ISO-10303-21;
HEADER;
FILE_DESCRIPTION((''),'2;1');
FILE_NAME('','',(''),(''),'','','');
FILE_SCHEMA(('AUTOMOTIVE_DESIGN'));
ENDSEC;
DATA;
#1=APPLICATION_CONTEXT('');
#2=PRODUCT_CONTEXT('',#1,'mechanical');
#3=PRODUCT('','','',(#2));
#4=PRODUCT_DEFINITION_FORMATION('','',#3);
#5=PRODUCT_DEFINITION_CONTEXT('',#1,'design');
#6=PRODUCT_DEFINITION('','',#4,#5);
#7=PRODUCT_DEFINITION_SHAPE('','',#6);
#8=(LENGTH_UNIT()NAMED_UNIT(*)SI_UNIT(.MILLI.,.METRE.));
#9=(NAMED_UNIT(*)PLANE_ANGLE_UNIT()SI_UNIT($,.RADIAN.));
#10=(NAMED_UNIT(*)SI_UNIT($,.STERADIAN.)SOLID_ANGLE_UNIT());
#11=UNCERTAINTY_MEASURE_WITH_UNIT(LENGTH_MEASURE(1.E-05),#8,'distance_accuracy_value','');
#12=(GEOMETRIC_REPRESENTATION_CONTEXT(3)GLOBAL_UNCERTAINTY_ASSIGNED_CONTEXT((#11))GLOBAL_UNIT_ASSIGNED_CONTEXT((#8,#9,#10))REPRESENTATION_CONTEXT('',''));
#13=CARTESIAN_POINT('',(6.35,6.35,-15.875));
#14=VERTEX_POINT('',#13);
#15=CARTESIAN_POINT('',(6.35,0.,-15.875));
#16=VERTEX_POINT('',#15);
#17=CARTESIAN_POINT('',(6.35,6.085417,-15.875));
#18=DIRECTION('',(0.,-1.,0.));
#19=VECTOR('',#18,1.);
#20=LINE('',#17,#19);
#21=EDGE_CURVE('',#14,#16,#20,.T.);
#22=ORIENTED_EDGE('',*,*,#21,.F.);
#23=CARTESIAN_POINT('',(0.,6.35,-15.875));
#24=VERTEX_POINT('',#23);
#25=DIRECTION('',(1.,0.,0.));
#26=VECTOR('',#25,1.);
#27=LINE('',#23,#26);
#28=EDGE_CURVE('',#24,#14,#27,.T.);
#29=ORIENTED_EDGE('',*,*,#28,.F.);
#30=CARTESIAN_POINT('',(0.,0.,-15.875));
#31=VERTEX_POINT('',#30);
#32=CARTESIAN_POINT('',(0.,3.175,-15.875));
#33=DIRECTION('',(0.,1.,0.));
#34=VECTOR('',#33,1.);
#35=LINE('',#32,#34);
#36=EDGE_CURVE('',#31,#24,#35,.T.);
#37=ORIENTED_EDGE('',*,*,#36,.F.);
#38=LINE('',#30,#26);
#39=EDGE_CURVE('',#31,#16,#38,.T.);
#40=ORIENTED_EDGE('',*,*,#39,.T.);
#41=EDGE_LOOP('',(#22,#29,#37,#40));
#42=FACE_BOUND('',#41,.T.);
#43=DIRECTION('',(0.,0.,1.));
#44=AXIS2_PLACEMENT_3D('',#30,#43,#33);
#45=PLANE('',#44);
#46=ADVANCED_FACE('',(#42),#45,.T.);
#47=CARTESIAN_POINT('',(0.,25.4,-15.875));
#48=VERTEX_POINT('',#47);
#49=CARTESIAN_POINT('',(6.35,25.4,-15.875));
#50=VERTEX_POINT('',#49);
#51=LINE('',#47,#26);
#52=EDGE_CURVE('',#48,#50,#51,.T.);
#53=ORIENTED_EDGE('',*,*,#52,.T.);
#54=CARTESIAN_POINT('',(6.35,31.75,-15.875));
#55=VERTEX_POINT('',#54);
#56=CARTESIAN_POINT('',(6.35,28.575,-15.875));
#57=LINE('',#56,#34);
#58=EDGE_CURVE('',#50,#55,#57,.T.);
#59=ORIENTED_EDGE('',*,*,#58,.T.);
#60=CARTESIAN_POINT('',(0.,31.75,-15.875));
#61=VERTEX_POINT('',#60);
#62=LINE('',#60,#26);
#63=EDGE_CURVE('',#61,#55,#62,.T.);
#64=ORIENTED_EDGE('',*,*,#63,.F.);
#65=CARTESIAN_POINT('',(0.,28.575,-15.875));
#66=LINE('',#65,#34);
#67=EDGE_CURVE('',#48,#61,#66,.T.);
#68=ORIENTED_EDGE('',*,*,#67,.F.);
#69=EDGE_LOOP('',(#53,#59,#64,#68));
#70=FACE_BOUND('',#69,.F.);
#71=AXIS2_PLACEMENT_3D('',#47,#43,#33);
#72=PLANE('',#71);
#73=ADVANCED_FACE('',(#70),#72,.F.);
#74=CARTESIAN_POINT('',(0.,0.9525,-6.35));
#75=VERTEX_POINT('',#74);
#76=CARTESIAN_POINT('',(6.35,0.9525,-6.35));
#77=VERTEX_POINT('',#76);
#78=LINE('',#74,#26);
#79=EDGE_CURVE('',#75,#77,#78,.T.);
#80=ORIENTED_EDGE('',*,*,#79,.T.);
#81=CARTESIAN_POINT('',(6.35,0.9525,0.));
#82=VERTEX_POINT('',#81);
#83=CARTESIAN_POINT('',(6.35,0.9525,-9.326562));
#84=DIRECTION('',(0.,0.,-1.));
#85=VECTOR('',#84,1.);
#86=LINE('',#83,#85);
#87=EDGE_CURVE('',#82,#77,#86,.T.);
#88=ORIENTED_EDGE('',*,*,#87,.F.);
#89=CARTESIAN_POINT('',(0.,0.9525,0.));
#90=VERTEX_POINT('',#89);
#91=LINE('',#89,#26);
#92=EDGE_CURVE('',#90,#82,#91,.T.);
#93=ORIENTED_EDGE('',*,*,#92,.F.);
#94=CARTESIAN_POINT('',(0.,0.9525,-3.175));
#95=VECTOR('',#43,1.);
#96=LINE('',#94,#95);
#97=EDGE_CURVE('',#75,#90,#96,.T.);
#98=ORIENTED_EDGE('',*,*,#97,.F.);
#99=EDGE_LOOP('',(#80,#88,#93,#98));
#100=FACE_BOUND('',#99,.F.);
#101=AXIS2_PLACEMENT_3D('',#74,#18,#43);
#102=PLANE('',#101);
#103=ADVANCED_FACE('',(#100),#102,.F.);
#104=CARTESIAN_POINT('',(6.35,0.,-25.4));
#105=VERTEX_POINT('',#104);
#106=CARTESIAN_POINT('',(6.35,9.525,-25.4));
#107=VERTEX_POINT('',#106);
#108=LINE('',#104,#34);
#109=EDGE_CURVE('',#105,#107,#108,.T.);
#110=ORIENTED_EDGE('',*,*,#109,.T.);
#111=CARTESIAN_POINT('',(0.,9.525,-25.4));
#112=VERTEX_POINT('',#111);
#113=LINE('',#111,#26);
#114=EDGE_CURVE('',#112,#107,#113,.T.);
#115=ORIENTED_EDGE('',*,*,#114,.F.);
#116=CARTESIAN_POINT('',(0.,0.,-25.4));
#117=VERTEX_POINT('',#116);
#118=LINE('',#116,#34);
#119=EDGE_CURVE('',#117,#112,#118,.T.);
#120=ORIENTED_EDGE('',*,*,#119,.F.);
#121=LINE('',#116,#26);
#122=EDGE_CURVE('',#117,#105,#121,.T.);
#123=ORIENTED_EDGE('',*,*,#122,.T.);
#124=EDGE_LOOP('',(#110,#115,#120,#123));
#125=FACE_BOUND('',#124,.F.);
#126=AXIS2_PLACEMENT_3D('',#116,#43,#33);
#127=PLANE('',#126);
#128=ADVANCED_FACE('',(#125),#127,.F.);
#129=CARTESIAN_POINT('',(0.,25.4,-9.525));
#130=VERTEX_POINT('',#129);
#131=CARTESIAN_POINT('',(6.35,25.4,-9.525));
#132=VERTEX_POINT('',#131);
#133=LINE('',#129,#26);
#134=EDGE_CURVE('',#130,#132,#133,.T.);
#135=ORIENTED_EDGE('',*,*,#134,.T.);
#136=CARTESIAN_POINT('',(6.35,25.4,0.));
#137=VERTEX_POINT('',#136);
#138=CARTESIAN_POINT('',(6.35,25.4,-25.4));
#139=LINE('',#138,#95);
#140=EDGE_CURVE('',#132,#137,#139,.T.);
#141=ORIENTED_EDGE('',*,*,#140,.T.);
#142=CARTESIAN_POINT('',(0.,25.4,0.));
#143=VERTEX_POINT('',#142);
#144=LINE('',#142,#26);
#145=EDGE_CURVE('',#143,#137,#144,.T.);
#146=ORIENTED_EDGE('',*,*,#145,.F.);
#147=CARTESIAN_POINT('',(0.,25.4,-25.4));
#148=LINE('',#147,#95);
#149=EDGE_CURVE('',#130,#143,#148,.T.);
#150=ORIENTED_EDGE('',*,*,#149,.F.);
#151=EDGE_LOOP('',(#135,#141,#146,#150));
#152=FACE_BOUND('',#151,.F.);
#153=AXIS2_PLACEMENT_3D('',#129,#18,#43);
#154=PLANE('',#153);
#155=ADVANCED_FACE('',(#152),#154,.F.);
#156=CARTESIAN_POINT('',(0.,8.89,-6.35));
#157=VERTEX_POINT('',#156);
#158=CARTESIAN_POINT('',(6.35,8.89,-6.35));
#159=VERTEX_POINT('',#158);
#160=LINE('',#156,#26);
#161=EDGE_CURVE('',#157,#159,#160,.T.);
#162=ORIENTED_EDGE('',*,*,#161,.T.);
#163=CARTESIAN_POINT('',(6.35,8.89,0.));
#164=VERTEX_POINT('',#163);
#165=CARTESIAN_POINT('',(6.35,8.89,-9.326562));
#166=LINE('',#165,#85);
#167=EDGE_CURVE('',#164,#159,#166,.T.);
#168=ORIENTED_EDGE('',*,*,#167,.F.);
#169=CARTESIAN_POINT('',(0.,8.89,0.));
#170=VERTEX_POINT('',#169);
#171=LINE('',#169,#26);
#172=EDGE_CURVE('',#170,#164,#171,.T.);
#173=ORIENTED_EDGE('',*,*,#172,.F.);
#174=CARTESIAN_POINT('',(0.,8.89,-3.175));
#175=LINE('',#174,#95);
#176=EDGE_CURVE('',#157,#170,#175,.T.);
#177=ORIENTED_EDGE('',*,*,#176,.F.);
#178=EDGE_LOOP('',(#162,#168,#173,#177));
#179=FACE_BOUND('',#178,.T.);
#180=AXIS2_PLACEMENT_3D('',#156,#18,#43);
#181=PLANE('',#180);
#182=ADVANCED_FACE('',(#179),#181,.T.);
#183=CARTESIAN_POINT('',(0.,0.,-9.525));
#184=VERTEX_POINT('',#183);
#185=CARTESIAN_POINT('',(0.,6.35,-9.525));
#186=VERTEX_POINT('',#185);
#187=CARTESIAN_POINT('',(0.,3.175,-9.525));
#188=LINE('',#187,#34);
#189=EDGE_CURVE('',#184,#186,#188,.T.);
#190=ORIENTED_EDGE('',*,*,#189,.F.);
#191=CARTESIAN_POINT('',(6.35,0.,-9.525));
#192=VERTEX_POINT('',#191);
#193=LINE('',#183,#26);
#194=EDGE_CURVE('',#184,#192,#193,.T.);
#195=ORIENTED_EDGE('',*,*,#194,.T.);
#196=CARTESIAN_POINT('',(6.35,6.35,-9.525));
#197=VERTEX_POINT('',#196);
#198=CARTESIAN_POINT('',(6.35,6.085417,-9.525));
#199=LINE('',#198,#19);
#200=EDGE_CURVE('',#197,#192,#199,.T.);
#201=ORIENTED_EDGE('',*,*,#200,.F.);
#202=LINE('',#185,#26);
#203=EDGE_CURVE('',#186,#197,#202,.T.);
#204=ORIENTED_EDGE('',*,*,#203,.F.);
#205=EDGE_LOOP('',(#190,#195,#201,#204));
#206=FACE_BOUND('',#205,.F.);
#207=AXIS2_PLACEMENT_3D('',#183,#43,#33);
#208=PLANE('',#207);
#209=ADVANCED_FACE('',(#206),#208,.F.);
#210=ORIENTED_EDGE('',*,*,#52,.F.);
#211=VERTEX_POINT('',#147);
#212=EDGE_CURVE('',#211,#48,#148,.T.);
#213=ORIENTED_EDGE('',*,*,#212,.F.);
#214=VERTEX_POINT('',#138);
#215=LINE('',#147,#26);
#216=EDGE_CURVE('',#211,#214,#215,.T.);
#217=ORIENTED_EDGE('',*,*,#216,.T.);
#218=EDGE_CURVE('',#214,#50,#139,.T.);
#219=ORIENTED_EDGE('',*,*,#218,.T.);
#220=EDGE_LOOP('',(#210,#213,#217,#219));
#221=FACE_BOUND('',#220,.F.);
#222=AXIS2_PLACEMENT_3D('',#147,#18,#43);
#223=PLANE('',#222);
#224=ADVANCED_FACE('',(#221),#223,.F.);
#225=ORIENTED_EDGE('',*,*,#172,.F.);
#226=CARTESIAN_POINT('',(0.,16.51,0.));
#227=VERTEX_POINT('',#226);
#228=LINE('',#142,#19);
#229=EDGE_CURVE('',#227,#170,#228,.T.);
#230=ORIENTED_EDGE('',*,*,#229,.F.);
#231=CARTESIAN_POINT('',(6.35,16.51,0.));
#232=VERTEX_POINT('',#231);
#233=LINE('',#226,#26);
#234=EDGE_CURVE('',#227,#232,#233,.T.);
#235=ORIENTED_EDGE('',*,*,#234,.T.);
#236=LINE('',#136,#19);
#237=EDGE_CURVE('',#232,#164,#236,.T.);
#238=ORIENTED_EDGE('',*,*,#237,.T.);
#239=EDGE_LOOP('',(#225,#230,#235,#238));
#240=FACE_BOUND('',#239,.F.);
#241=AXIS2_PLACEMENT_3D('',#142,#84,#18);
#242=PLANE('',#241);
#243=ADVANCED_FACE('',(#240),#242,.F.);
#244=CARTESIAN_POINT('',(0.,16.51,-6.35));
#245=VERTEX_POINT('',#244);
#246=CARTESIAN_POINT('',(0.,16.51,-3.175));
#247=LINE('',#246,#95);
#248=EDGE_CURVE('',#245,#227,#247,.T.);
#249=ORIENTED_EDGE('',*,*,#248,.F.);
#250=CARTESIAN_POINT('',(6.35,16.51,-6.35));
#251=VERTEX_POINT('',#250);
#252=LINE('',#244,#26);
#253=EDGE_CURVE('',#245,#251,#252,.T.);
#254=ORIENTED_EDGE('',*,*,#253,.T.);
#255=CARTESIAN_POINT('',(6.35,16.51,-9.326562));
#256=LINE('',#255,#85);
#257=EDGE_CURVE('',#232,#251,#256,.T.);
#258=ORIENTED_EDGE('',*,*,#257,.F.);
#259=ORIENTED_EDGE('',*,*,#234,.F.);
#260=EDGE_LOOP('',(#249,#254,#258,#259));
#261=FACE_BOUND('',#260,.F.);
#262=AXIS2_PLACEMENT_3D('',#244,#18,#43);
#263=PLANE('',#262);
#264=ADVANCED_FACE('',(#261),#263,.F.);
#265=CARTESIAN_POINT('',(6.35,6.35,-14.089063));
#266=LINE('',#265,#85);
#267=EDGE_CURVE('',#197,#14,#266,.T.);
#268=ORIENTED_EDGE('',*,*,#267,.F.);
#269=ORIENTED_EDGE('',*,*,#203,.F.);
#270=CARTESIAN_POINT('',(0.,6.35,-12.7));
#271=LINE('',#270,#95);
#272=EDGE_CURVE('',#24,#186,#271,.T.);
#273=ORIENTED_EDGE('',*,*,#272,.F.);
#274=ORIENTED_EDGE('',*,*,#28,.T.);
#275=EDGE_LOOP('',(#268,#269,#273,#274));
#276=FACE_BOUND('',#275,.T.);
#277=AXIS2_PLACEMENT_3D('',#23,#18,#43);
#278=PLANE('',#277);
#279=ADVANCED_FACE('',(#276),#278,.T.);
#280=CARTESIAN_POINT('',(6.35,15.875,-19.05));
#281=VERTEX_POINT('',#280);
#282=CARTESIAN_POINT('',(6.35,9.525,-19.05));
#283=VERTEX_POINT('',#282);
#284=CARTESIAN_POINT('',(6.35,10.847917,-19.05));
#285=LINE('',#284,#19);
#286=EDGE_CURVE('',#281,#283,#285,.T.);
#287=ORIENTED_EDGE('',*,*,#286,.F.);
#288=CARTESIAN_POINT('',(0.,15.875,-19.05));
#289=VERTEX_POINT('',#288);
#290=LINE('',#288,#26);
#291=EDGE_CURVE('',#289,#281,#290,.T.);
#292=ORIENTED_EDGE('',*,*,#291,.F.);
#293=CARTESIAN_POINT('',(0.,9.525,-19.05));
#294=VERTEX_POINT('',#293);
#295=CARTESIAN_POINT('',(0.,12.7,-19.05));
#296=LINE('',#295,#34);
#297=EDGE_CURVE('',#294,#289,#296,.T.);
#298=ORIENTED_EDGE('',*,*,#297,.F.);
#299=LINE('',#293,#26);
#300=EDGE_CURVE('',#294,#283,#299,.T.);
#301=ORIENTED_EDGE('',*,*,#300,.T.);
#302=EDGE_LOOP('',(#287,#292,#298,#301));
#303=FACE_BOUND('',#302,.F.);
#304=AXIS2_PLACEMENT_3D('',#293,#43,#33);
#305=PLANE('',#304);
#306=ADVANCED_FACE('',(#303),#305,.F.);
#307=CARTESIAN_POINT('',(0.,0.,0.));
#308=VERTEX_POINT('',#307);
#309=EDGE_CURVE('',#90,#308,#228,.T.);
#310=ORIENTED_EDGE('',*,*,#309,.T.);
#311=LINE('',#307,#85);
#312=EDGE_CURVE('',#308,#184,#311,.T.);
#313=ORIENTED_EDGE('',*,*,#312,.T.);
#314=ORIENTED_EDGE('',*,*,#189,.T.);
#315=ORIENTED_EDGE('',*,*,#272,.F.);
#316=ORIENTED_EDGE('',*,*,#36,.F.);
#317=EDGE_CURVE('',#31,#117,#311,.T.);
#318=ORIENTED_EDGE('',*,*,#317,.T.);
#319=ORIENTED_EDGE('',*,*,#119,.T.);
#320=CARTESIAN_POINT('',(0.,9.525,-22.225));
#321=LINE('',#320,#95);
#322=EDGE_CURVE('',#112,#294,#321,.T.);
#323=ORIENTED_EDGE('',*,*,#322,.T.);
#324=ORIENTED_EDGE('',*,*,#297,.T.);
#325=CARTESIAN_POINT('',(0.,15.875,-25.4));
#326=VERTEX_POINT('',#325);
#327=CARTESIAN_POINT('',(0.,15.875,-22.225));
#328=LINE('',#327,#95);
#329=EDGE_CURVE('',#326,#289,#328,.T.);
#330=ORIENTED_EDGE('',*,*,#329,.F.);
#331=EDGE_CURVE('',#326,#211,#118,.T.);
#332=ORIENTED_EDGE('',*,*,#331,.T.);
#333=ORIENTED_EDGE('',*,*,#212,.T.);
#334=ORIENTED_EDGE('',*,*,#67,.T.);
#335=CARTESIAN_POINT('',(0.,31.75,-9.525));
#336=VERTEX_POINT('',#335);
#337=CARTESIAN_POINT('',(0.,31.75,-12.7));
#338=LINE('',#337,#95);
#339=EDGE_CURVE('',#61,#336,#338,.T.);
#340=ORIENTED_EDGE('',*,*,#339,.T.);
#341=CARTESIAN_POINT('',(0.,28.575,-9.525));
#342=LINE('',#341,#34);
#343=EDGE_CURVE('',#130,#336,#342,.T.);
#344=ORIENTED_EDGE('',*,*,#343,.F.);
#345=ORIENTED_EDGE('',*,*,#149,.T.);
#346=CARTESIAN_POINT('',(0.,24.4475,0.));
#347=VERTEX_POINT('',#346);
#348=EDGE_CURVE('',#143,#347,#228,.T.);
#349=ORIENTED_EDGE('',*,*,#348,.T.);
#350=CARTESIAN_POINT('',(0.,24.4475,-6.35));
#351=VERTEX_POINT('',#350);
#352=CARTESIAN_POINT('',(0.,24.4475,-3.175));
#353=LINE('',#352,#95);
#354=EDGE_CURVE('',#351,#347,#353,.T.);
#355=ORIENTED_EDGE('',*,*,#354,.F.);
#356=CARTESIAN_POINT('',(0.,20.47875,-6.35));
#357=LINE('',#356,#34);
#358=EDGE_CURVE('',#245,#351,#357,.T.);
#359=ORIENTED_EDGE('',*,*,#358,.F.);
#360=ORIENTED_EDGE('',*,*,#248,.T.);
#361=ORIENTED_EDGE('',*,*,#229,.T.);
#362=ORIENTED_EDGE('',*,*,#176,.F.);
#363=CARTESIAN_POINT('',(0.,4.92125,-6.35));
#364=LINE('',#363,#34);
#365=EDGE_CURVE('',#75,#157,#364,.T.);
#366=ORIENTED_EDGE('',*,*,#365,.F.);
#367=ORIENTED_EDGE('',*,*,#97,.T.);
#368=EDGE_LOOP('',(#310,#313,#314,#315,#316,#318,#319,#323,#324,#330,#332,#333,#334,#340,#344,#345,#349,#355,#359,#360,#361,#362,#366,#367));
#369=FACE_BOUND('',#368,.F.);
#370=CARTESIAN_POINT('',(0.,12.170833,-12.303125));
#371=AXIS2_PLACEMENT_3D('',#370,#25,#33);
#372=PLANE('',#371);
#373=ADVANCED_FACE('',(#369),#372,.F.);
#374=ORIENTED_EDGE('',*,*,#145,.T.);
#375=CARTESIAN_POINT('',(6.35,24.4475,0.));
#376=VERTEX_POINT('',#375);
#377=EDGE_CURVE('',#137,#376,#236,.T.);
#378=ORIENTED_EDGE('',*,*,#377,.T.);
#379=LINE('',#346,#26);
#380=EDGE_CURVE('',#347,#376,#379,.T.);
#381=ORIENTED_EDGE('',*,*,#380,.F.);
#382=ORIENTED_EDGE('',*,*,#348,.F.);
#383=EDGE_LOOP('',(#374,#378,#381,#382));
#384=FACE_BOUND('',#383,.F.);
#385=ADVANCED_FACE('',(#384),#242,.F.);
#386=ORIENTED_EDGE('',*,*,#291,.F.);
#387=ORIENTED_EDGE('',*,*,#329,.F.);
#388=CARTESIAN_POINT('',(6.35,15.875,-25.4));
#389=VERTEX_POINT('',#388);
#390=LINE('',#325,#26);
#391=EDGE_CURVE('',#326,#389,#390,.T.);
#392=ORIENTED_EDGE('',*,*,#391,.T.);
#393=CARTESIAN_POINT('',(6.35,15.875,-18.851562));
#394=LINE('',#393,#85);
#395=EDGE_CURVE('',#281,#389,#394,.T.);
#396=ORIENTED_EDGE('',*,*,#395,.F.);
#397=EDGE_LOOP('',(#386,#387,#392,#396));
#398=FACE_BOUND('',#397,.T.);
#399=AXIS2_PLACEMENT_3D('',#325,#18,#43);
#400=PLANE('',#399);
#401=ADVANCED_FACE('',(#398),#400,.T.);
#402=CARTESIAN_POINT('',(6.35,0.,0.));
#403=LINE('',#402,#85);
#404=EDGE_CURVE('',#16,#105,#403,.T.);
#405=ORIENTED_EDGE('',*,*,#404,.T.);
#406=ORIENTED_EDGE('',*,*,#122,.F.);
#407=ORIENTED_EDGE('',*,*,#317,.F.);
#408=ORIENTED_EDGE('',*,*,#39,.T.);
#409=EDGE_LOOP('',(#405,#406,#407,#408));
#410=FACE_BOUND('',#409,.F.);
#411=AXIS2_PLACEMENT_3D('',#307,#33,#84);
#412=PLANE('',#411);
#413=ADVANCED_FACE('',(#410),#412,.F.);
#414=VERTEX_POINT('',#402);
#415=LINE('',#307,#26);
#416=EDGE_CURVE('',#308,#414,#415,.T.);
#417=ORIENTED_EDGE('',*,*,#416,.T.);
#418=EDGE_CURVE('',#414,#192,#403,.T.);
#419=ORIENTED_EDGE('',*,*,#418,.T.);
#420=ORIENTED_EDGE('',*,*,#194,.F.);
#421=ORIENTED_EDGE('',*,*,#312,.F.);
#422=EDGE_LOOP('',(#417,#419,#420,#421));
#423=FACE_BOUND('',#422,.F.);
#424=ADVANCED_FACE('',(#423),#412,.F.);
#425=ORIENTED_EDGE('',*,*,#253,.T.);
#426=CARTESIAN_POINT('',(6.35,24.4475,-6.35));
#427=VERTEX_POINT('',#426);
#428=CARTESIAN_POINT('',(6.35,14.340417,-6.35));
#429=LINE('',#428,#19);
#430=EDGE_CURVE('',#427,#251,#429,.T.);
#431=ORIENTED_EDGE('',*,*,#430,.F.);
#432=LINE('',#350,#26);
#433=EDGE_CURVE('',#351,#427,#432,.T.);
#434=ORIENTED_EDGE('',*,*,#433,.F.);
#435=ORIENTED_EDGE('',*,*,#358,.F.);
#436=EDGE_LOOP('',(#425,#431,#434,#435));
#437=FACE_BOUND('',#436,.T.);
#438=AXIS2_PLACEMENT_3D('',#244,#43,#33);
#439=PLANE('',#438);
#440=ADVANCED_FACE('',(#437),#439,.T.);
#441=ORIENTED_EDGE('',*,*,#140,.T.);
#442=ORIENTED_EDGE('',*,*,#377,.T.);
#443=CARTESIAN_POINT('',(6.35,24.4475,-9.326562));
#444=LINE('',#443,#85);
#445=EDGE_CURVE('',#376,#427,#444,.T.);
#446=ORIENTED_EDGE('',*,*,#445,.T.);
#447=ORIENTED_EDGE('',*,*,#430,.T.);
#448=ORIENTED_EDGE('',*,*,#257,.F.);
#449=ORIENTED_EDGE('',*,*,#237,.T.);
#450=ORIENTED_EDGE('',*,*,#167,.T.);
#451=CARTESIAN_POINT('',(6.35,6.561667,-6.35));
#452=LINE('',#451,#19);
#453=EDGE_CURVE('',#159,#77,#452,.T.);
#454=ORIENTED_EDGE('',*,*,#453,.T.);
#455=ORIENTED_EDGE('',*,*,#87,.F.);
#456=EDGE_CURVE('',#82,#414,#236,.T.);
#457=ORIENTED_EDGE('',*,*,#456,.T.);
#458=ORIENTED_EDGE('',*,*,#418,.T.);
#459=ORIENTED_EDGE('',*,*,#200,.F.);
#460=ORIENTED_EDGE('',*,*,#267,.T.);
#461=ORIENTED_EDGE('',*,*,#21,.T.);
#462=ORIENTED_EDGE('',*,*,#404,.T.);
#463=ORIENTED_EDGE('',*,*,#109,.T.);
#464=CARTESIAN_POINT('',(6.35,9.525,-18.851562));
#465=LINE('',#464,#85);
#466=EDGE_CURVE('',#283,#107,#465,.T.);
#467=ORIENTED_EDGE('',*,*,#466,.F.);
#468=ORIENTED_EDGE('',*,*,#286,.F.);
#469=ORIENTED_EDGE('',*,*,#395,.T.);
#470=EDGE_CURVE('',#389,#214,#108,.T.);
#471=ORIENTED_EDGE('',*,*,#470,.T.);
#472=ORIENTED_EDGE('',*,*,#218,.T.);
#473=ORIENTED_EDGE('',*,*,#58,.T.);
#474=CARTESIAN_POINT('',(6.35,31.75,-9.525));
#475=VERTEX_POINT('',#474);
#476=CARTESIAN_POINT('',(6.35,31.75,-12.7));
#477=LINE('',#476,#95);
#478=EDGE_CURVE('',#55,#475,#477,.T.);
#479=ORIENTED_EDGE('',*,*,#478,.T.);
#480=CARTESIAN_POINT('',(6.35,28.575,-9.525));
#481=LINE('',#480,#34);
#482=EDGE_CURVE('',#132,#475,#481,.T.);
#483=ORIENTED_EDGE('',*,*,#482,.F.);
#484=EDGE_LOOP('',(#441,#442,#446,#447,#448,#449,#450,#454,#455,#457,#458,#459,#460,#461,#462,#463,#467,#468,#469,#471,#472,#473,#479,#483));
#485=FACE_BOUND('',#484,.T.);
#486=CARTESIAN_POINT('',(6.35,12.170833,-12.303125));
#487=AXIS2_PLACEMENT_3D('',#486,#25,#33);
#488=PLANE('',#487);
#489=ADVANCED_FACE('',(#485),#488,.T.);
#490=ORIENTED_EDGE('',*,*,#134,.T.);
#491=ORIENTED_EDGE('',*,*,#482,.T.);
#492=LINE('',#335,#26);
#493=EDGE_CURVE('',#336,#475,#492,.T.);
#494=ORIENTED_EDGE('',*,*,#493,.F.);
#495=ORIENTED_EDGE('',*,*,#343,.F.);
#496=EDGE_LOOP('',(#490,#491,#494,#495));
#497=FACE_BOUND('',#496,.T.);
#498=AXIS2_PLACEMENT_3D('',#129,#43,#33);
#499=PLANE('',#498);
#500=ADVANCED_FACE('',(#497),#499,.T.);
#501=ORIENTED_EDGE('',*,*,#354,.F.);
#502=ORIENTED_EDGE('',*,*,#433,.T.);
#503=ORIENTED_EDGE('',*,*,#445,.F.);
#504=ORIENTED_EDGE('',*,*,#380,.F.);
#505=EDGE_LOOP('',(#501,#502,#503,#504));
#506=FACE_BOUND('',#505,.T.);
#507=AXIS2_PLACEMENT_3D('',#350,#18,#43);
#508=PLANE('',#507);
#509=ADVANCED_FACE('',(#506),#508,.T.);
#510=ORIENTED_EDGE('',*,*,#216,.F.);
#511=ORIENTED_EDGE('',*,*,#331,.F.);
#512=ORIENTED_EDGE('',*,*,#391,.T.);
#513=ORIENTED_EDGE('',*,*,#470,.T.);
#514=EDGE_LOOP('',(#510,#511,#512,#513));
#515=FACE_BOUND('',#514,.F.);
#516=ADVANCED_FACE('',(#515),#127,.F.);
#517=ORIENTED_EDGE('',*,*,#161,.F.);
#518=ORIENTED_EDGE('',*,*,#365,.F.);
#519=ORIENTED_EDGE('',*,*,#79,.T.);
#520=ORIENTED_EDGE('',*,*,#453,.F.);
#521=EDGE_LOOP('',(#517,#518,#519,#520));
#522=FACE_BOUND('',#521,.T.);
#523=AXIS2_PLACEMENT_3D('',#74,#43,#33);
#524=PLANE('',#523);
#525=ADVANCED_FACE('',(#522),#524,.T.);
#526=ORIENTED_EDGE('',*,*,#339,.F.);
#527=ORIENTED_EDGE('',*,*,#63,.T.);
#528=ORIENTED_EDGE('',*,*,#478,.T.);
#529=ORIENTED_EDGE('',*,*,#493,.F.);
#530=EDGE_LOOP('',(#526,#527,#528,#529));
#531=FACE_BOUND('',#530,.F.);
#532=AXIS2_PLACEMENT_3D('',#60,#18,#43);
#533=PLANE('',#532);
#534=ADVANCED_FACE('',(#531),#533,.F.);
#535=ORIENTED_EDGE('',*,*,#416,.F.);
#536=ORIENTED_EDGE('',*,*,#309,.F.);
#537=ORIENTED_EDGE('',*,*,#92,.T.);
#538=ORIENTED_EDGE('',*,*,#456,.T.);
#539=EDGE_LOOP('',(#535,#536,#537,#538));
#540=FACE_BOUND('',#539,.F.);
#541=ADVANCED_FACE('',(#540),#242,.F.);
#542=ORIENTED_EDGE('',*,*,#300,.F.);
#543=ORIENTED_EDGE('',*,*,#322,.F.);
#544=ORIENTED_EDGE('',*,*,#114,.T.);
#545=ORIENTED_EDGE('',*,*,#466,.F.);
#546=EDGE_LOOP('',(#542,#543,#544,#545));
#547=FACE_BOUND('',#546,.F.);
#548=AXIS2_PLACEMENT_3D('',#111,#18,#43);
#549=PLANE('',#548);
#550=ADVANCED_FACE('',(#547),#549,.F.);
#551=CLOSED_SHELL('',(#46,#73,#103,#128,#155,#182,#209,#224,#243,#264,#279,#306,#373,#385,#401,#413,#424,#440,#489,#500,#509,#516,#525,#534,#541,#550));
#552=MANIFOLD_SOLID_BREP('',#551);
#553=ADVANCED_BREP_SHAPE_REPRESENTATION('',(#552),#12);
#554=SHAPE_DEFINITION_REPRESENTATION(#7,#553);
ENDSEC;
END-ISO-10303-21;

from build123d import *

# Parameters (mm, degrees)
F0_W     = 7.9375
F0_H     = 6.35
F0_W_2   = 6.35
F1_DEPTH = 6.35
F2_DEPTH = 25.4


with BuildPart() as f1:
    # F0 (on Right) → F1 (new body)
    with BuildSketch(Plane.YZ):
        Polygon((0.9525, 0), (0, 0), (0, -9.525), (6.35, -9.525), (6.35, -15.875), (0, -15.875), (0, -25.4), (9.525, -25.4), (9.525, -19.05), (15.875, -19.05), (15.875, -25.4), (25.4, -25.4), (25.4, -15.875), (25.4, -9.525), (25.4, 0), (24.4475, 0), (24.4475, -6.35), (16.51, -6.35), (16.51, 0), (8.89, 0), (8.89, -6.35), (0.9525, -6.35), align=None)
        with Locations((4.92125, -3.175)):
            Rectangle(F0_W, F0_H)
        with Locations((3.175, -12.7)):
            Rectangle(F0_W_2, F0_H)
        with Locations((20.47875, -3.175)):
            Rectangle(F0_W, F0_H)
        with Locations((12.7, -22.225)):
            Rectangle(F0_W_2, F0_H)
        with Locations((28.575, -12.7)):
            Rectangle(F0_W_2, F0_H)
    extrude(amount=F1_DEPTH)

    # F0 (on Right) → F2 (cut)
    with BuildSketch(Plane.YZ):
        with Locations((4.92125, -3.175)):
            Rectangle(F0_W, F0_H)
        with Locations((20.47875, -3.175)):
            Rectangle(F0_W, F0_H)
        with Locations((12.7, -22.225)):
            Rectangle(F0_W_2, F0_H)
        with Locations((3.175, -12.7)):
            Rectangle(F0_W_2, F0_H)
    extrude(amount=F2_DEPTH, mode=Mode.SUBTRACT)


solid = f1.part
